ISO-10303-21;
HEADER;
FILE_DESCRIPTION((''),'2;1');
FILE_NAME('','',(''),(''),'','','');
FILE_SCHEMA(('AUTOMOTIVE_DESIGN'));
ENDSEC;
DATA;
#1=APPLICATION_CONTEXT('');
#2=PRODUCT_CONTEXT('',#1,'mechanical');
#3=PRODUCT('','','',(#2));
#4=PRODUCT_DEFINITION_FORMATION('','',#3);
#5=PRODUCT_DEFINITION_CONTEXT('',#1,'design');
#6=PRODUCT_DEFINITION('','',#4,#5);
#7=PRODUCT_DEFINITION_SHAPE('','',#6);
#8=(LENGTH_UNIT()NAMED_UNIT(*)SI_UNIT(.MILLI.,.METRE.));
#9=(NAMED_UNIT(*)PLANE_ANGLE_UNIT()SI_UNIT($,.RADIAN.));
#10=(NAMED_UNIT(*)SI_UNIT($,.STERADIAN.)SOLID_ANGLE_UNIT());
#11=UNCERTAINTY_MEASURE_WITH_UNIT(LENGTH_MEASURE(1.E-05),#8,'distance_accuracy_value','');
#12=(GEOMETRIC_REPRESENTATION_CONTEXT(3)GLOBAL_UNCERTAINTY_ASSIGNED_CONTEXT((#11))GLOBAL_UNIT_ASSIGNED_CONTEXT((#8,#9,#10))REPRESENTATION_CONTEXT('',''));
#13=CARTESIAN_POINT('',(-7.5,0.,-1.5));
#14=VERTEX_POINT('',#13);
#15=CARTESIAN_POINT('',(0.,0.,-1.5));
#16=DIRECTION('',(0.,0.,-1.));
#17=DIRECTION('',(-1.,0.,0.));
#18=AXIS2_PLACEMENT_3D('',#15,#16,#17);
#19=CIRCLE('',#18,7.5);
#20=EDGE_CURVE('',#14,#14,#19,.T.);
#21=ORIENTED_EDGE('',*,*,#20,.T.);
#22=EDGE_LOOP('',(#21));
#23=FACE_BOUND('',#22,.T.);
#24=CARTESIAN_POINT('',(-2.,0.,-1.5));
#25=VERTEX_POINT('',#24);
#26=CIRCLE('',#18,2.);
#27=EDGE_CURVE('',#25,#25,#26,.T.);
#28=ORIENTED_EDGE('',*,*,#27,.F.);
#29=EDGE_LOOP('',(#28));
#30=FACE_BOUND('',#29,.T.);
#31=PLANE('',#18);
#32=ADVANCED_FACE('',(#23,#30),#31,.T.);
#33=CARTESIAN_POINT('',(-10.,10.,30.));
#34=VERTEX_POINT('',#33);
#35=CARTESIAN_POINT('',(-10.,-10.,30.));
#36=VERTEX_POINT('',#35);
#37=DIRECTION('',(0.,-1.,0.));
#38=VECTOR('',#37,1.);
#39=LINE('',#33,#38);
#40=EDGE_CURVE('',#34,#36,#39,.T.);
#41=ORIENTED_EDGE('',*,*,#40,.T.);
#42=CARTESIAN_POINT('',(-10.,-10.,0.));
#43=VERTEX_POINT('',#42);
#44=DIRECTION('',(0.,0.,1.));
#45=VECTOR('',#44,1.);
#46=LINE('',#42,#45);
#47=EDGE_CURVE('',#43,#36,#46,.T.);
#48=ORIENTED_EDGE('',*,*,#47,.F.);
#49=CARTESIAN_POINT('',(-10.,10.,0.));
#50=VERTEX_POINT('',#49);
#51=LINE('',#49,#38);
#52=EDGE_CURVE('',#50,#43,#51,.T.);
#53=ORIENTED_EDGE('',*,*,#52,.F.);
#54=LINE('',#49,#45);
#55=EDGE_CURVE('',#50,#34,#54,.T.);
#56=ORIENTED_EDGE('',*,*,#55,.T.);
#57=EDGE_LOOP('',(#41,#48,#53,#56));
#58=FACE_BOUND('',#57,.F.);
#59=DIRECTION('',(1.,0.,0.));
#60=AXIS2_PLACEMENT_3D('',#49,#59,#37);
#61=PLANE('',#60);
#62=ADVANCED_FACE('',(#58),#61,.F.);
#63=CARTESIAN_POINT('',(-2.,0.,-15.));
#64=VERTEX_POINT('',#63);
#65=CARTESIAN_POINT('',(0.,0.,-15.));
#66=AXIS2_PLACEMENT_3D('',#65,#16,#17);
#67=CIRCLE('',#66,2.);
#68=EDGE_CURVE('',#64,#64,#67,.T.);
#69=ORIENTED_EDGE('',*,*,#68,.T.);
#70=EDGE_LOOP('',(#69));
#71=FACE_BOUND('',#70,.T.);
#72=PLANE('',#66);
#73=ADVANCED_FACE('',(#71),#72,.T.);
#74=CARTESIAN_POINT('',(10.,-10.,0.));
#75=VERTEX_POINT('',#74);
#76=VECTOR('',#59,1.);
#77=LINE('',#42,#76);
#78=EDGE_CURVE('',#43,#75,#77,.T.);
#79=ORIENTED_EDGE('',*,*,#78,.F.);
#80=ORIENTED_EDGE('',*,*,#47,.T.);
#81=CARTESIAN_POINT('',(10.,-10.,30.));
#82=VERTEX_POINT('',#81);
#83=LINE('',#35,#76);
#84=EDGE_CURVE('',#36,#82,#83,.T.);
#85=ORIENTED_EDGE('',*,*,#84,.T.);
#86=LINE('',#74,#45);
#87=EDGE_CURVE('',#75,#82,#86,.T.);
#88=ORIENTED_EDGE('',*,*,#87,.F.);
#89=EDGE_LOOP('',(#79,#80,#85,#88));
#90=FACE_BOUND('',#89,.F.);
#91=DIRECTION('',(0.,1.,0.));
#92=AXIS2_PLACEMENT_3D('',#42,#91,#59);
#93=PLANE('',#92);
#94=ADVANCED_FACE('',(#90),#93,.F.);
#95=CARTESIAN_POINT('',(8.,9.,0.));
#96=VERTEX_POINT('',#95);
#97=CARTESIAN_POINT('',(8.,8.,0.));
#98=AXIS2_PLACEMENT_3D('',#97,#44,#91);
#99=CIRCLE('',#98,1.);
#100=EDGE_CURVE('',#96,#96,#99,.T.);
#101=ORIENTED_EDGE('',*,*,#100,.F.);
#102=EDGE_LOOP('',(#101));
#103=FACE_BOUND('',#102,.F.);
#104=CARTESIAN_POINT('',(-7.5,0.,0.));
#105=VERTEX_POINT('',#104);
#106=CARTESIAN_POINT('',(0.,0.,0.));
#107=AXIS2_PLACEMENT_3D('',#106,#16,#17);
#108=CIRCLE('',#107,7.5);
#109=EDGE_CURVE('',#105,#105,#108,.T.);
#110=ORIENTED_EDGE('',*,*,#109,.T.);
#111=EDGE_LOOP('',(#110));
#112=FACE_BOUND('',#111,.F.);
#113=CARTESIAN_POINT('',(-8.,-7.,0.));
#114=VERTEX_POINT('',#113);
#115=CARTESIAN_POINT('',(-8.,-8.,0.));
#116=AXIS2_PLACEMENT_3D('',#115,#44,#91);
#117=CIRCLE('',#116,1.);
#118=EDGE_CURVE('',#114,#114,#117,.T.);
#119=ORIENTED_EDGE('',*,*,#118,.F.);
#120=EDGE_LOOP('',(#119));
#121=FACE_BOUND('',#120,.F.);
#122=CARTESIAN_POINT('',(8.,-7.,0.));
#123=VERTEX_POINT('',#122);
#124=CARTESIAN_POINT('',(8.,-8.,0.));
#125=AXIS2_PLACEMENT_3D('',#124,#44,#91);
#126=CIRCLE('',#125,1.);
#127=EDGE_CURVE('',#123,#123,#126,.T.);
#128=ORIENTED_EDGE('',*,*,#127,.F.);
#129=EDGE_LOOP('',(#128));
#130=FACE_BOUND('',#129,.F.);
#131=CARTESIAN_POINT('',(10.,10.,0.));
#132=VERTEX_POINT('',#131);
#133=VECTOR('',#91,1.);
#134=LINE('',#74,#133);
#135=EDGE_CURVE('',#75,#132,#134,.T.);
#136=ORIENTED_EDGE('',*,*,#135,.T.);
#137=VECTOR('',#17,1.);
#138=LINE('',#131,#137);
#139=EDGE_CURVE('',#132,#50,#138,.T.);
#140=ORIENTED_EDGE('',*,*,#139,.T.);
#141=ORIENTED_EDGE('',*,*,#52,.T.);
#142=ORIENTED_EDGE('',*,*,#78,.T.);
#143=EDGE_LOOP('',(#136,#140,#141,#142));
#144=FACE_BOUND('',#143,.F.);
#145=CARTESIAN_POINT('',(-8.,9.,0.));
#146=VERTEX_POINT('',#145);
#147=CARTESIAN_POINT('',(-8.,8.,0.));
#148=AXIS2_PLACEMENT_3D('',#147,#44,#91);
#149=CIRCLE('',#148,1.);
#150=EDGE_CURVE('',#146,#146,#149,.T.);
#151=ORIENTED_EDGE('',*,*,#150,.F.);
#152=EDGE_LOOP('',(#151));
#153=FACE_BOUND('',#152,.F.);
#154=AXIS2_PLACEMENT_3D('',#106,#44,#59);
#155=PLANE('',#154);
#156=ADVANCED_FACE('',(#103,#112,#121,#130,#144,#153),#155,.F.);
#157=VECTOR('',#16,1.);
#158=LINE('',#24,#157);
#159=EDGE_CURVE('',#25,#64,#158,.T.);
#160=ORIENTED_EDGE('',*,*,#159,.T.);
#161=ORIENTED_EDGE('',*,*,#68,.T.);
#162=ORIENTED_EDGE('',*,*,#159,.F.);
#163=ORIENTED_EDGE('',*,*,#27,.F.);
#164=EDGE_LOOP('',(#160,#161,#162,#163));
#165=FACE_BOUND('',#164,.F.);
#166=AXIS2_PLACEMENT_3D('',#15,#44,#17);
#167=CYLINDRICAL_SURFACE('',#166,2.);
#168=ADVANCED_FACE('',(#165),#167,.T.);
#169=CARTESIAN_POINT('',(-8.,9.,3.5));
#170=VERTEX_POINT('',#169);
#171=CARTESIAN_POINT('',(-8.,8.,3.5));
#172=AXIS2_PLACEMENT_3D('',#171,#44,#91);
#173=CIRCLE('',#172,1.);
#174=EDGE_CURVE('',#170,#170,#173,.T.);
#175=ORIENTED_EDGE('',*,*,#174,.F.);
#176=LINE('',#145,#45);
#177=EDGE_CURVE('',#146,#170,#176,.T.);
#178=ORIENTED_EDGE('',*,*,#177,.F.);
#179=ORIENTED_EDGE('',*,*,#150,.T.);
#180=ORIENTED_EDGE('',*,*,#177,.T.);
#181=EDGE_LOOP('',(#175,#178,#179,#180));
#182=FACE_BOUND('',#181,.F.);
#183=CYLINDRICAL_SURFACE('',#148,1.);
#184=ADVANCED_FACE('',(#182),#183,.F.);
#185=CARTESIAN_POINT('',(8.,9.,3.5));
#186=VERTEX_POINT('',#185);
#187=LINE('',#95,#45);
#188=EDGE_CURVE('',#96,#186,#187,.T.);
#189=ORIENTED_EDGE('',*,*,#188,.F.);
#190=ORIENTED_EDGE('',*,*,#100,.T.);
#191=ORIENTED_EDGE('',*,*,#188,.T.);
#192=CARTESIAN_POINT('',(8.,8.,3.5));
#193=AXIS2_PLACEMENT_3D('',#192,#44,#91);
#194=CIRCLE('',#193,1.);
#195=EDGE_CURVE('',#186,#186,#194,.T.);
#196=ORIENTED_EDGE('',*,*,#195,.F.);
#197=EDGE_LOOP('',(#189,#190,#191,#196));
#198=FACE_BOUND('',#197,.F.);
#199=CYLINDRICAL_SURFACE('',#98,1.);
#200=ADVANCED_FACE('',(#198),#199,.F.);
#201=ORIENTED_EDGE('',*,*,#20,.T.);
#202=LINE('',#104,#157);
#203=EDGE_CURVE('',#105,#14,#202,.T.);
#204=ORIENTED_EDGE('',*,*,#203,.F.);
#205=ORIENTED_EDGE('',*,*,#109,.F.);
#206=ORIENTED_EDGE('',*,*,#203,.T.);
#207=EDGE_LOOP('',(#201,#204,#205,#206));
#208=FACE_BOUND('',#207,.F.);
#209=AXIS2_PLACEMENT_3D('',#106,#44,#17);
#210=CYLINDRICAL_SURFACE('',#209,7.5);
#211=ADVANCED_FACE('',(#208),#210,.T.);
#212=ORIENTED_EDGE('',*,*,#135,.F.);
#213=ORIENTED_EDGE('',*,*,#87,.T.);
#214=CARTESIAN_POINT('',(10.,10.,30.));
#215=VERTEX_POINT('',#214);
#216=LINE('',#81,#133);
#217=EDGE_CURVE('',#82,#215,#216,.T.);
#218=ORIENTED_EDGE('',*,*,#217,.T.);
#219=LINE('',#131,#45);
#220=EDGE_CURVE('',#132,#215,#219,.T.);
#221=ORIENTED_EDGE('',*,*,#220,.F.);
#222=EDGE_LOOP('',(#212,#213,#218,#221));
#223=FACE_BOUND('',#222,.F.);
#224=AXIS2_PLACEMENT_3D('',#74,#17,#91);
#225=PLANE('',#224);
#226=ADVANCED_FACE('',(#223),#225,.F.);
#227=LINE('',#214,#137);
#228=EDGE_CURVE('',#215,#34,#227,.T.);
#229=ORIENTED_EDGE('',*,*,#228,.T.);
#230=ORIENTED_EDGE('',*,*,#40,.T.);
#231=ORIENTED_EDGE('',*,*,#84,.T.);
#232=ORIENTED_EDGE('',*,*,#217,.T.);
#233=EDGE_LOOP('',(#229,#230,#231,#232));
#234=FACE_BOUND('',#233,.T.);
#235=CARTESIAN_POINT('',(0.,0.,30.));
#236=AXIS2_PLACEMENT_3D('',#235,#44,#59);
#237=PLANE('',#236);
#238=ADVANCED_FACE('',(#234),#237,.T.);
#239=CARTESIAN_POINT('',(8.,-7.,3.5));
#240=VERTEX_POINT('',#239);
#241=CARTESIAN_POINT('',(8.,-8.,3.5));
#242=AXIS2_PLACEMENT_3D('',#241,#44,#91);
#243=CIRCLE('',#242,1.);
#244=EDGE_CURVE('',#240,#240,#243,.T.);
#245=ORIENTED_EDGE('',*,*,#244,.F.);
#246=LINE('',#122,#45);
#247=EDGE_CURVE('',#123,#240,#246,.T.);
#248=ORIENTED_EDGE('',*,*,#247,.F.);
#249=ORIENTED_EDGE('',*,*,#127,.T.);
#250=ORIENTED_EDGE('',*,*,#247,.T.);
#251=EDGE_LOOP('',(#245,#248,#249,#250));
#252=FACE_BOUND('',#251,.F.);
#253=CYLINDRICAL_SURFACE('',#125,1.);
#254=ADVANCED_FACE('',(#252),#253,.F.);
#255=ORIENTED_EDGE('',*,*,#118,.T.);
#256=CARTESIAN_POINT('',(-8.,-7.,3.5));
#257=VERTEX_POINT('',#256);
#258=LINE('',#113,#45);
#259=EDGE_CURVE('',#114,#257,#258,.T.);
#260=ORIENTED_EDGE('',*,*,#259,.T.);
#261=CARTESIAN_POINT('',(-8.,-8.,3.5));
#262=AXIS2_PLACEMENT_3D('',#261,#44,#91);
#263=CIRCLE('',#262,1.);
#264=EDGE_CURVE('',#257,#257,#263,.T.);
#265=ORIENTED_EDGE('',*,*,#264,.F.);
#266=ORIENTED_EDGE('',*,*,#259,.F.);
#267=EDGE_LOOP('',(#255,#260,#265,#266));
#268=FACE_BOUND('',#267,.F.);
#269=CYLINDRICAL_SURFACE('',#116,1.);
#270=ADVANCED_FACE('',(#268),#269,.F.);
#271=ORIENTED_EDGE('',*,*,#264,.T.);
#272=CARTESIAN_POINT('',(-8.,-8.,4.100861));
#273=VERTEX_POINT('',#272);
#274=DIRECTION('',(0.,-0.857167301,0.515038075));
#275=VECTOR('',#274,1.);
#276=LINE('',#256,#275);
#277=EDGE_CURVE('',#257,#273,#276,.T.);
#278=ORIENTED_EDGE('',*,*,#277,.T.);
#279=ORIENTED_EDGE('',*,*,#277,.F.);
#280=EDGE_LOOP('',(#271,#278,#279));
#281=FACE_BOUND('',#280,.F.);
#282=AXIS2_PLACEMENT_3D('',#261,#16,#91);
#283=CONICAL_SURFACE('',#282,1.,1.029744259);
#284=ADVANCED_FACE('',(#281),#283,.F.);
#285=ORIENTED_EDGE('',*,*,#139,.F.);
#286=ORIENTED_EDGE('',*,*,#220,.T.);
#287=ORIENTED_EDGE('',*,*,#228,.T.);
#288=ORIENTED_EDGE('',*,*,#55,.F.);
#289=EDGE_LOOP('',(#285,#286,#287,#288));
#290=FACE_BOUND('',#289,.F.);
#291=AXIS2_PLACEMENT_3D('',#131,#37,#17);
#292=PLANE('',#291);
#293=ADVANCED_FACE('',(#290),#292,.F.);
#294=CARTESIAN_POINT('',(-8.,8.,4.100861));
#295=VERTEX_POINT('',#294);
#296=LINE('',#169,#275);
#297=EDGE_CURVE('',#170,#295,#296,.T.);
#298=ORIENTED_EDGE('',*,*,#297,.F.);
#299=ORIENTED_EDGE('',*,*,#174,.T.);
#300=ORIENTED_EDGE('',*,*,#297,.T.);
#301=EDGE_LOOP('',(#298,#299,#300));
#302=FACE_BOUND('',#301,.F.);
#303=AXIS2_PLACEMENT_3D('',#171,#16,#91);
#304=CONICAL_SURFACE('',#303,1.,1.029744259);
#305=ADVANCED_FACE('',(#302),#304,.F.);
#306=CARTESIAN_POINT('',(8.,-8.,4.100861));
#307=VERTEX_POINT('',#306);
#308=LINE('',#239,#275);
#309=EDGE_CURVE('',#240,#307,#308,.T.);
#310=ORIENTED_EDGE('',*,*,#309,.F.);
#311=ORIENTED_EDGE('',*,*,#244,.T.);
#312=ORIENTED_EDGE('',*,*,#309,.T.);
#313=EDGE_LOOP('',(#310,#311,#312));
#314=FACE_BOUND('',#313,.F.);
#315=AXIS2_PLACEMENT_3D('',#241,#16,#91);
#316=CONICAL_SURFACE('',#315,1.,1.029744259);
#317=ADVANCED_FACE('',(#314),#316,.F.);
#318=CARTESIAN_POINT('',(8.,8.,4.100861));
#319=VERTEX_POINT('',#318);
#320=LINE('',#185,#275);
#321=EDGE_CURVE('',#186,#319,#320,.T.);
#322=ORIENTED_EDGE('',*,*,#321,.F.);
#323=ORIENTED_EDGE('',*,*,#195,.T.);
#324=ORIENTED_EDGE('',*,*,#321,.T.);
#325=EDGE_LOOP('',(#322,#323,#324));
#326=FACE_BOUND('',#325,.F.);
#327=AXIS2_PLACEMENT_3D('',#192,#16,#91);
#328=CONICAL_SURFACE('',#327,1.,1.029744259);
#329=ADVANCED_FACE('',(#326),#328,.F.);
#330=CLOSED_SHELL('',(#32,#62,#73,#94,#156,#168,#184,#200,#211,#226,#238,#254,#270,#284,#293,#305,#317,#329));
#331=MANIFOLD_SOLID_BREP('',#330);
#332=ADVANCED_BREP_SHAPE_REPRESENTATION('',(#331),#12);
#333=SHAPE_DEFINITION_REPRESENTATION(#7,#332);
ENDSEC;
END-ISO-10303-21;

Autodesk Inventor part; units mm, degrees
ref_plane "YZ Plane" through (0, 0, 0) normal (1, 0, 0) x (0, 1, 0)
ref_plane "XZ Plane" through (0, 0, 0) normal (0, 1, 0) x (-1, 0, 0)
ref_plane "XY Plane" through (0, 0, 0) normal (0, 0, 1) x (1, 0, 0)
sketch "Sketch1" plane through (0, 0, 0) normal (0, 0, 1) x (1, 0, 0)
  line L0 (-10, -10) -> (10, -10)
  line L1 (10, -10) -> (10, 10)
  line L2 (10, 10) -> (-10, 10)
  line L3 (-10, 10) -> (-10, -10)
  line L4 (-10, -10) -> (10, 10) construction
  line L5 (10, -10) -> (-10, 10) construction
  point P0 (0, 0)
  dimension "d0" = 20
  dimension "d1" = 20
extrude "Extrusion1" add sketch "Sketch1" along normal blind 30
sketch "Sketch2" plane through (0, 0, 0) normal (0, 0, -1) x (-1, 0, 0)
  point P0 (0, 0)
  point P1 (-8, 8)
  point P2 (8, 8)
  point P3 (8, -8)
  point P4 (-8, -8)
  dimension "d4" = 8
  dimension "d5" = 8
  dimension "d6" = 8
  dimension "d7" = 8
  dimension "d8" = 8
  dimension "d9" = 8
  dimension "d10" = 8
  dimension "d11" = 8
hole "Hole1" at (8, 8, 0) at (-8, 8, 0) at (-8, -8, 0) at (8, -8, 0) direction (0, 0, 1) diameter 2 depth 3.5 tip angle 118
sketch "Sketch3" plane through (0, 0, 0) normal (0, 0, -1) x (-1, 0, 0)
  circle A0 centre (0, 0) radius 7.5
  dimension "d19" = 15
extrude "Extrusion2" add sketch "Sketch3" along normal blind 1.5
sketch "Sketch4" plane through (0, 0, -1.5) normal (0, 0, -1) x (-1, 0, 0)
  circle A0 centre (0, 0) radius 7.5 projected
  circle A1 centre (0, 0) radius 2
  dimension "d22" = 4
extrude "Extrusion3" add sketch "Sketch4" along normal blind 13.5 contours A1
properties part number "NEMA8"
